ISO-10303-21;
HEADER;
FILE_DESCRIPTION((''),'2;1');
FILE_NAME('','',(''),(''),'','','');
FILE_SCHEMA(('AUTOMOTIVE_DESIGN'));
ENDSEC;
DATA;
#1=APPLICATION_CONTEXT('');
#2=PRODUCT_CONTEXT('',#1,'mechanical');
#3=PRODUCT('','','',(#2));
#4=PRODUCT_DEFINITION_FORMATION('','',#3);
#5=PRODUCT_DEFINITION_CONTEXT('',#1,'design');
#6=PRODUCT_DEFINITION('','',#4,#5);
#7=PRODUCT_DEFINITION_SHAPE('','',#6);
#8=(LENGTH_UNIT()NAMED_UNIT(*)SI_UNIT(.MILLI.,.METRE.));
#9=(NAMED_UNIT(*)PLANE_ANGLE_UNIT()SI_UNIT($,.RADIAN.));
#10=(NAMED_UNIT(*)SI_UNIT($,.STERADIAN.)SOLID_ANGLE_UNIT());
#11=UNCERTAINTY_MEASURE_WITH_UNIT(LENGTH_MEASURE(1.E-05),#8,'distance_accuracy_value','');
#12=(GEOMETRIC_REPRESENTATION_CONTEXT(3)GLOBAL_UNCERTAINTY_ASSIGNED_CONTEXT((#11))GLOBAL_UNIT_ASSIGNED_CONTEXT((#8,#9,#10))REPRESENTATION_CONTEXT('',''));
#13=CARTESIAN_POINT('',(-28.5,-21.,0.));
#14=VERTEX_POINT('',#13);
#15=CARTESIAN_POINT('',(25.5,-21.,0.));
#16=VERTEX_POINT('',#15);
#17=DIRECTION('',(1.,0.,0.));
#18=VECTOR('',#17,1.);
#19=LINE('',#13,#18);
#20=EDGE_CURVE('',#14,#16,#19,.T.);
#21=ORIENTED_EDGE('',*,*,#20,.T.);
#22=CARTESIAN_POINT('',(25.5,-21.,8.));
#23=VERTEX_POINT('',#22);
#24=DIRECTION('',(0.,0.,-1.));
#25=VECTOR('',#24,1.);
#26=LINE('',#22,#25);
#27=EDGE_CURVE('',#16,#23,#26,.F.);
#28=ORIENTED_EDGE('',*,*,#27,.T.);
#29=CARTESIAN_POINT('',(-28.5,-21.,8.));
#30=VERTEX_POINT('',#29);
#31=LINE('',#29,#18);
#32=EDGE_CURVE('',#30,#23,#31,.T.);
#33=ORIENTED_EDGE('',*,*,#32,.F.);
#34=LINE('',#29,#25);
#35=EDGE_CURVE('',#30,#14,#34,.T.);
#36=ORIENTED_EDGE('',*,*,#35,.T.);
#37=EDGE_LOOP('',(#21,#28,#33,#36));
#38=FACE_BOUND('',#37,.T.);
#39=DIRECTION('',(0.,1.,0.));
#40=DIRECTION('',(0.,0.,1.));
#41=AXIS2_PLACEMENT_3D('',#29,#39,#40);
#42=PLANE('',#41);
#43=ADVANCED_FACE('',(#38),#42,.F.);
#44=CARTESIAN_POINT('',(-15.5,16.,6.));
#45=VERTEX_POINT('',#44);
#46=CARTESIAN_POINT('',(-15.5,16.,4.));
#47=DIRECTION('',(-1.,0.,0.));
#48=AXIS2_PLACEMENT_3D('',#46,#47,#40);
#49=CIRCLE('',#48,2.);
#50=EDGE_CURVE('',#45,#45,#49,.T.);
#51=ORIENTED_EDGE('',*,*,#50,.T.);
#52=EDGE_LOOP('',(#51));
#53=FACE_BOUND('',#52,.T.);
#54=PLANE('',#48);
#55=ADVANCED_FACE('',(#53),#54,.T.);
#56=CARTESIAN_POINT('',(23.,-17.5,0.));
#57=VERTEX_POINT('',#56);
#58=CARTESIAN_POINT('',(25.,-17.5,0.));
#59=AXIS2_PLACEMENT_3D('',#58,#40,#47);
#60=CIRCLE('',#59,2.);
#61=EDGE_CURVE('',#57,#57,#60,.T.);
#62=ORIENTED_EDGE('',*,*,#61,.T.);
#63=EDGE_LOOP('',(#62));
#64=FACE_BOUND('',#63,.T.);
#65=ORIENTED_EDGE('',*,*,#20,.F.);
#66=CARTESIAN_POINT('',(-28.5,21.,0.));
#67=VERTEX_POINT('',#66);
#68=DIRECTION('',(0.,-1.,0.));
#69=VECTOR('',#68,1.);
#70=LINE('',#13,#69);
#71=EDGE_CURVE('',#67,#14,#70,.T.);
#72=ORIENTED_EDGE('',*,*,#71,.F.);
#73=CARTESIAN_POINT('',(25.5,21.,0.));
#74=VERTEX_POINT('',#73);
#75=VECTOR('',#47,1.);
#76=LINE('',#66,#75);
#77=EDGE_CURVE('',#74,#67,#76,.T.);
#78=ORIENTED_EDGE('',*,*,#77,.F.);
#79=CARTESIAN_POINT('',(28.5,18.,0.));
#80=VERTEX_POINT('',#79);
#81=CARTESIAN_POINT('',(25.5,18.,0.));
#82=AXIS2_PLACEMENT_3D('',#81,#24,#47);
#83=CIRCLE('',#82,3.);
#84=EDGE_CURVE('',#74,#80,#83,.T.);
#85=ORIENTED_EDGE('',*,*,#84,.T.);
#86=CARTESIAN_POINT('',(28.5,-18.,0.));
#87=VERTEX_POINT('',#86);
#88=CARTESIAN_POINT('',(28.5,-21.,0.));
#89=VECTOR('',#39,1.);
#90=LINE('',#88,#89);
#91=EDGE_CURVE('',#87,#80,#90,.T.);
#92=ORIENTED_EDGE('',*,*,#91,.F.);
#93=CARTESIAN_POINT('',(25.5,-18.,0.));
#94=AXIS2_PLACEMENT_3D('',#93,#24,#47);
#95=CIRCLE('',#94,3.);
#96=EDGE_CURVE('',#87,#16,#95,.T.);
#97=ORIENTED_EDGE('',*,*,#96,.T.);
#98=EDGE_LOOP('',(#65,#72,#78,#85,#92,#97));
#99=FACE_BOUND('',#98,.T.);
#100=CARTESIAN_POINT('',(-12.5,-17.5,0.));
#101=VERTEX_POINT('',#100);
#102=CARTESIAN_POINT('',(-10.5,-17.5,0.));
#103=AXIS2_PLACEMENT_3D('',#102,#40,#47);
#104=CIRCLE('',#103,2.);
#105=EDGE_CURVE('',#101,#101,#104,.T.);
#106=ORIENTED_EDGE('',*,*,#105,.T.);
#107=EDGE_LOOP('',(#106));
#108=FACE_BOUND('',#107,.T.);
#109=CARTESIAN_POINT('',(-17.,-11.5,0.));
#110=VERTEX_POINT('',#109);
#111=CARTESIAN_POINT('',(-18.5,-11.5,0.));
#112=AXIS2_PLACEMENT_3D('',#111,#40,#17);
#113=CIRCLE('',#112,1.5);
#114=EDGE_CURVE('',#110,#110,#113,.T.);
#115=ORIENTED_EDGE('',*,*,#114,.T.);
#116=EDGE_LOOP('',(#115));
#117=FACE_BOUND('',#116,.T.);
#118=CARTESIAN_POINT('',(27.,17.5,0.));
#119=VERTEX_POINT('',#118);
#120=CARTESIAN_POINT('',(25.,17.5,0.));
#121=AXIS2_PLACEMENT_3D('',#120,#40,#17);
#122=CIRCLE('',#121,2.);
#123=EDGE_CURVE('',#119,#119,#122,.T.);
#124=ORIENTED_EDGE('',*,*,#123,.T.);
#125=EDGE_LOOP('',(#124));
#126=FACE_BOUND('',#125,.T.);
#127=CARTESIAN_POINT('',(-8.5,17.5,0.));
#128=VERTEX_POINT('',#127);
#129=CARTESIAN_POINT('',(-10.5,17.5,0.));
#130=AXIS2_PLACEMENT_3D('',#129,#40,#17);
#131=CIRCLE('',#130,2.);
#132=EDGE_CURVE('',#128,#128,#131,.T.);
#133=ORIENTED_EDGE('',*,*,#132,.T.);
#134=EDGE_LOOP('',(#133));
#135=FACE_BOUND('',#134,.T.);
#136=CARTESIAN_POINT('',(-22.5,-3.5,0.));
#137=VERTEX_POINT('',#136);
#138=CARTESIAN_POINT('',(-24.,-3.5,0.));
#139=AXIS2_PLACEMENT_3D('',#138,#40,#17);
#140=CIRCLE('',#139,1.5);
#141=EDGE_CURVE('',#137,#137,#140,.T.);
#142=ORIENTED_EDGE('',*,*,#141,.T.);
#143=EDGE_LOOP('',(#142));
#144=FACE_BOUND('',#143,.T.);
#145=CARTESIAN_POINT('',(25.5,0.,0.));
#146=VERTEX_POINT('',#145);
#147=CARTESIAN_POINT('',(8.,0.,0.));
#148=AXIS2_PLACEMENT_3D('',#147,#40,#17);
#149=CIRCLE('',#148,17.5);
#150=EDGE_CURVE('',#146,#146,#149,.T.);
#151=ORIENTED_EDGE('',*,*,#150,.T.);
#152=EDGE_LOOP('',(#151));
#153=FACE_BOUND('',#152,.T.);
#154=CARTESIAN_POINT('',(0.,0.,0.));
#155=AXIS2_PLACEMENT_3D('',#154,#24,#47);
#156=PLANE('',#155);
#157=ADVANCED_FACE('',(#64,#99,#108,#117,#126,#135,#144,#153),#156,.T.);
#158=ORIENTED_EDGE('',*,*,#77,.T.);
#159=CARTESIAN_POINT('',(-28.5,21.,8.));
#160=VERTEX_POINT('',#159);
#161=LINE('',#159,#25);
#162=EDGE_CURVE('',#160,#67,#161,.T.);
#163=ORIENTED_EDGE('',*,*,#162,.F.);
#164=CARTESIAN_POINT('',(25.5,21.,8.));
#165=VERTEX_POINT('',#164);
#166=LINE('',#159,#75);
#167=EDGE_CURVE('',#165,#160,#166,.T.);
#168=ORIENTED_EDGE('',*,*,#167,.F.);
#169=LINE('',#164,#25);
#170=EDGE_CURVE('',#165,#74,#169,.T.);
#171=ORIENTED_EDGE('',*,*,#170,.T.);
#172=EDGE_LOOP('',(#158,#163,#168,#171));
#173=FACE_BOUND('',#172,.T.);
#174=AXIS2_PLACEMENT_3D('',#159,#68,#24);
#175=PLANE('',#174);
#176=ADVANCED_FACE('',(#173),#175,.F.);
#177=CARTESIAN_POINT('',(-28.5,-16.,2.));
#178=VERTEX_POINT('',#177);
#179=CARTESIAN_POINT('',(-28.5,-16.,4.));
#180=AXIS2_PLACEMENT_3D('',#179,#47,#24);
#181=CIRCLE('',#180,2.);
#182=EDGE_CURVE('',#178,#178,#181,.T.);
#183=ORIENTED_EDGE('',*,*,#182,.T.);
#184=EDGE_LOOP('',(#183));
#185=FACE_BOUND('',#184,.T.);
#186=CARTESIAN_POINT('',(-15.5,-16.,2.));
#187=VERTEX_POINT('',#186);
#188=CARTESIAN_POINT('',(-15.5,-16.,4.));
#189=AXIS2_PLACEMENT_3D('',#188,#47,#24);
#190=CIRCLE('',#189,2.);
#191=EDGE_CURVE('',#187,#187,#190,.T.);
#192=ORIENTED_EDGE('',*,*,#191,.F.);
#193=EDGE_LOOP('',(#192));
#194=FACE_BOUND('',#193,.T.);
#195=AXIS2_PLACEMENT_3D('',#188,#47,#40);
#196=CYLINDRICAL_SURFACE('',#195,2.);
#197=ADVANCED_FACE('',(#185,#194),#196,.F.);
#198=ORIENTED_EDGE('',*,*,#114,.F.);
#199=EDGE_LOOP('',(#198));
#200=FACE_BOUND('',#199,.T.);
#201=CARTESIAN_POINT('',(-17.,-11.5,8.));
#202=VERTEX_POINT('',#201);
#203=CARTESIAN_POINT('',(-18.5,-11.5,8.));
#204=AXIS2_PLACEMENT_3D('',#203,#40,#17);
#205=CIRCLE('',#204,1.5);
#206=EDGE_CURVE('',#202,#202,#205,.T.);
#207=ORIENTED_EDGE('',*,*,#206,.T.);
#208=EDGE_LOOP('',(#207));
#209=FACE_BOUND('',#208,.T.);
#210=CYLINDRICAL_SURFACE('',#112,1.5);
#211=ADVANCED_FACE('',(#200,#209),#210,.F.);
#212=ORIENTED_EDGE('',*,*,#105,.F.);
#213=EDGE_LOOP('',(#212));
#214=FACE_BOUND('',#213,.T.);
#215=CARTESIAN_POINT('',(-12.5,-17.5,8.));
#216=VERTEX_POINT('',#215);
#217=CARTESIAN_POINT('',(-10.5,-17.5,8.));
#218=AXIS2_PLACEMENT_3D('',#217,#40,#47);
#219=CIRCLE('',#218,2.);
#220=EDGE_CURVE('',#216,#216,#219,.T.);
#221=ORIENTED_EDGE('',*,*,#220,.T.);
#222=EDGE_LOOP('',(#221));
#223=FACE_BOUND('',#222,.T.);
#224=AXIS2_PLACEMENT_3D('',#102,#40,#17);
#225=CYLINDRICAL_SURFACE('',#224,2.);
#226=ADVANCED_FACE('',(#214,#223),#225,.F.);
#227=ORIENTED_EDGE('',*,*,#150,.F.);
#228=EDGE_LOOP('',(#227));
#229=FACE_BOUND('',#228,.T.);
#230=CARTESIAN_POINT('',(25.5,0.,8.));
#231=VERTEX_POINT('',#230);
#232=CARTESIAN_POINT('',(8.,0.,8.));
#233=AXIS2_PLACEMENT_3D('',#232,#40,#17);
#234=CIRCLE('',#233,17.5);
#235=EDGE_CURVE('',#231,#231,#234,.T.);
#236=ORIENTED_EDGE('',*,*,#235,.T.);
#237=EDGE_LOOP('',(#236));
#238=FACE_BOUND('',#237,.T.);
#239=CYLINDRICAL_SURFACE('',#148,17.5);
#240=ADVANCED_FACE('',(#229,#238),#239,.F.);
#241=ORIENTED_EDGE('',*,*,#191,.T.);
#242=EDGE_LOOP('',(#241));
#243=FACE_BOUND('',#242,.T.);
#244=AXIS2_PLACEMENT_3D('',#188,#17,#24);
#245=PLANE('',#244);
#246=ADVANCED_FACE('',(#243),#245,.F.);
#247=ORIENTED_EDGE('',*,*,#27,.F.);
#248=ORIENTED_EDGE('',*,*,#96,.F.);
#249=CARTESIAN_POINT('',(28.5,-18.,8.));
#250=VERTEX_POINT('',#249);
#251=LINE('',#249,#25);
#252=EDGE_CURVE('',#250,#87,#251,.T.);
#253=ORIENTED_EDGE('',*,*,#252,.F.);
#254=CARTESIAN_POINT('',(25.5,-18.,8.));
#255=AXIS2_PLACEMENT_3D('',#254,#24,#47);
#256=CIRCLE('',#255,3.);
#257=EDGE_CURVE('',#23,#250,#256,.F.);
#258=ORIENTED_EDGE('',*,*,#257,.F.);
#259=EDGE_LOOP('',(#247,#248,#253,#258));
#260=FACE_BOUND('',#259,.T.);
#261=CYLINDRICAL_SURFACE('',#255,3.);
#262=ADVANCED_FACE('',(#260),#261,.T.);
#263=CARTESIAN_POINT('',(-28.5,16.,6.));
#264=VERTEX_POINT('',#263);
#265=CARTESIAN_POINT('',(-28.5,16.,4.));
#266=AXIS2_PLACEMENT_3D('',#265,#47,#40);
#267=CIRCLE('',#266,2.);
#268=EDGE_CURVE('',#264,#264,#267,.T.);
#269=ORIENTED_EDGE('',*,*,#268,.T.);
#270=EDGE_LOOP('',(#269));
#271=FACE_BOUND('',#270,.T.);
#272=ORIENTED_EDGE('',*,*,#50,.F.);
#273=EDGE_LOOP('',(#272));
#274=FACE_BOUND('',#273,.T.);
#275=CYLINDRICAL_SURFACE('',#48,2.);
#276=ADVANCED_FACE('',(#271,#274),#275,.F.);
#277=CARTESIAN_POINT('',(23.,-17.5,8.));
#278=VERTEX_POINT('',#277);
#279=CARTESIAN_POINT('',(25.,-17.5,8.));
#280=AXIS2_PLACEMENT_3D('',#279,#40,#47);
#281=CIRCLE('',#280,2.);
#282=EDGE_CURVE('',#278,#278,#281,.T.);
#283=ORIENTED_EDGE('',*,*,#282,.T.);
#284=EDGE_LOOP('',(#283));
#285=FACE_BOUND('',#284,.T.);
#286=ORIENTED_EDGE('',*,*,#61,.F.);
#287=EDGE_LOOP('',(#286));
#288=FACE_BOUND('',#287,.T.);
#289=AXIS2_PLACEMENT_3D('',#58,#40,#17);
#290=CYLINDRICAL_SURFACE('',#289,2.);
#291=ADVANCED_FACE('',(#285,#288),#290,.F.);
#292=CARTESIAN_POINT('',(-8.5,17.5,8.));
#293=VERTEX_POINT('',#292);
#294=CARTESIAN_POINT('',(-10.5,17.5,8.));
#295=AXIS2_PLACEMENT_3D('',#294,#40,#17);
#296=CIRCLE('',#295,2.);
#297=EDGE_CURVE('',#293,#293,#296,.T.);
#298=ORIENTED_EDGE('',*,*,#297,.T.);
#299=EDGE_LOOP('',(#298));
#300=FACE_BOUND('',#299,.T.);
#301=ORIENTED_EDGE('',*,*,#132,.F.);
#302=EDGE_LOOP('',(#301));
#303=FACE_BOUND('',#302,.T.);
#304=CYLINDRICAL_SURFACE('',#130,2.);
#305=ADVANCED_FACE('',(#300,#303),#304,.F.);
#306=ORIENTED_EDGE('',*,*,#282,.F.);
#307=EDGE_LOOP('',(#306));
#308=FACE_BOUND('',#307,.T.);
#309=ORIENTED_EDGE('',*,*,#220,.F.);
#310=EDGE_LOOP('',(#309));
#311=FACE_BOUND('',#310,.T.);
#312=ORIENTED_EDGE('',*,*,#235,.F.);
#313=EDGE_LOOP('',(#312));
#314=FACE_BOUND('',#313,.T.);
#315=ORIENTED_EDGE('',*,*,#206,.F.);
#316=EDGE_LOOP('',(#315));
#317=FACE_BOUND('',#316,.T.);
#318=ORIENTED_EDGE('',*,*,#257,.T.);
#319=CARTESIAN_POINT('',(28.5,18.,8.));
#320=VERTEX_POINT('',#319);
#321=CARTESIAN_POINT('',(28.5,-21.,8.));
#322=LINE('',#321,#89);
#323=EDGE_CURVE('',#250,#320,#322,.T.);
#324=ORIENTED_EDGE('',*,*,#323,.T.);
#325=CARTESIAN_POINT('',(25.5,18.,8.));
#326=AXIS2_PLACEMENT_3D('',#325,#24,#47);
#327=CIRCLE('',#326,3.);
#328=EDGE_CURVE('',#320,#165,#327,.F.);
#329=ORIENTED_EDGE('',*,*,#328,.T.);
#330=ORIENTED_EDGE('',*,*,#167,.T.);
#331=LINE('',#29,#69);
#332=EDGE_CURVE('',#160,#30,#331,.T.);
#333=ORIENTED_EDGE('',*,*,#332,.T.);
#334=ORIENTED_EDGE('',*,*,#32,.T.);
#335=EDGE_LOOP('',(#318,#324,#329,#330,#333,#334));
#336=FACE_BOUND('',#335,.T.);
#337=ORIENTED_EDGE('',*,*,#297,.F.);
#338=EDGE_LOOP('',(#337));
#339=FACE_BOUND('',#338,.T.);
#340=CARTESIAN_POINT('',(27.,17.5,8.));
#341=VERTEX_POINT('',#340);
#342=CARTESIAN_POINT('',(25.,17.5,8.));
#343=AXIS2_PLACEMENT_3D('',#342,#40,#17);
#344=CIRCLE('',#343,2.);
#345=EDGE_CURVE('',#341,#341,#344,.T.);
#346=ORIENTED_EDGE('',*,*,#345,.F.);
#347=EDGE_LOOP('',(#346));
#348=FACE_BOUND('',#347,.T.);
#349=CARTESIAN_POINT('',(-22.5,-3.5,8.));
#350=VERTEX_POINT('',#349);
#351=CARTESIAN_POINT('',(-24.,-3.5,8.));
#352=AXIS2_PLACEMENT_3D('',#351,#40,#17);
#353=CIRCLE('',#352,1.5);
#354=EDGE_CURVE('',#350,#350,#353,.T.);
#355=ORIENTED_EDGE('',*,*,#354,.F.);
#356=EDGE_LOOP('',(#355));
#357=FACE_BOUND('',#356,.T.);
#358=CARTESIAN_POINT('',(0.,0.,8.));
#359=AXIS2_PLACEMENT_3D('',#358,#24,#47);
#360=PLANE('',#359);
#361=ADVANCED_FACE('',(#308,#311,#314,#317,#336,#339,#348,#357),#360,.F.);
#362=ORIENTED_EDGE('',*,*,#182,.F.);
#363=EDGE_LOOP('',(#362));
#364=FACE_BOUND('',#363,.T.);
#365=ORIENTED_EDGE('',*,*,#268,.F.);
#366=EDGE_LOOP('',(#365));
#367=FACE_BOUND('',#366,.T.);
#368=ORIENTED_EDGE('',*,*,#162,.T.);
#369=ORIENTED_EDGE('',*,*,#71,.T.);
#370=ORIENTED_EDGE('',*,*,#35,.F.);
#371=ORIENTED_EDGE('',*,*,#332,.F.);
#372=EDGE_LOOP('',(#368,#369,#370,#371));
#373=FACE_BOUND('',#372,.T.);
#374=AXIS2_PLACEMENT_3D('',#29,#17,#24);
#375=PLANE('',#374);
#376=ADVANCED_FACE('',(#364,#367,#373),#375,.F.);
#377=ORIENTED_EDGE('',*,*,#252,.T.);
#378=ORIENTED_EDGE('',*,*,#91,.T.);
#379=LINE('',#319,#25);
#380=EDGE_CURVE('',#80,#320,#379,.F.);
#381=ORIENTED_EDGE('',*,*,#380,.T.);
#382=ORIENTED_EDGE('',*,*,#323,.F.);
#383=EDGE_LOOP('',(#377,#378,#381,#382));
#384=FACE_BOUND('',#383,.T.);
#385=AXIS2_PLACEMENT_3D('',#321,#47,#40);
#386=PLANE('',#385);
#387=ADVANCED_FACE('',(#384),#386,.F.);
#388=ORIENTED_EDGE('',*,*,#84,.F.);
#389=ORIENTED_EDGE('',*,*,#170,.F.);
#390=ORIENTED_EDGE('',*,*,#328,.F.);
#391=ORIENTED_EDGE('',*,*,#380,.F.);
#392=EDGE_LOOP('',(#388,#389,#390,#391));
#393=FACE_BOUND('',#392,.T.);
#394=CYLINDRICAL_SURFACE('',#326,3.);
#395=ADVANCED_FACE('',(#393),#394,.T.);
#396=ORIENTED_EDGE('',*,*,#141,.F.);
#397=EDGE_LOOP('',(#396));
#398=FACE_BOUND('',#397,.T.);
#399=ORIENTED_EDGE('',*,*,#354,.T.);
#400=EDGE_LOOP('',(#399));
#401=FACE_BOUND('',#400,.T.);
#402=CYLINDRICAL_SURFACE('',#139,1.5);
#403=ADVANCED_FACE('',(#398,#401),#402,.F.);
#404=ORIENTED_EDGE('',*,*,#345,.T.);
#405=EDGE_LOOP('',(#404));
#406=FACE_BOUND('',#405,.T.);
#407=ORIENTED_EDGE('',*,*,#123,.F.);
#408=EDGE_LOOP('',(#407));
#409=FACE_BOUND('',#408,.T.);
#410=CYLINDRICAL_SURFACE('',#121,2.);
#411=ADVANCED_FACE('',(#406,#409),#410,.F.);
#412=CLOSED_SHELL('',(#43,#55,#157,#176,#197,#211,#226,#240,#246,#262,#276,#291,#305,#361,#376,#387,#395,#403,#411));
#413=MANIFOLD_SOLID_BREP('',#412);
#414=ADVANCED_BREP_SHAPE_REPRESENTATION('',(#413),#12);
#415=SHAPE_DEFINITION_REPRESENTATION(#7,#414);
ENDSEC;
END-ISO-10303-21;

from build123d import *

# Parameters (mm, degrees)
SKETCH1_W           = 57
SKETCH1_H           = 42
BOSS_EXTRUDE1_DEPTH = 8
SKETCH2_R           = 17.5
SKETCH2_R_2         = 2
SKETCH2_R_3         = 1.5
CUT_EXTRUDE1_DEPTH  = 9
FILLET1_R           = 3
FILLET2_R           = 3
SKETCH3_R           = 2
CUT_EXTRUDE2_DEPTH  = 13


with BuildPart() as part:
    # Sketch1 → Boss-Extrude1 (new body)
    with BuildSketch(Plane.XY):
        Rectangle(SKETCH1_W, SKETCH1_H)
    extrude(amount=BOSS_EXTRUDE1_DEPTH)

    # Sketch2 → Cut-Extrude1 (cut, through all)
    with BuildSketch(Plane.XY.offset(8)):
        with Locations((8, 0)):
            Circle(SKETCH2_R)
        with Locations((25, 17.5)):
            Circle(SKETCH2_R_2)
        with Locations((-10.5, 17.5)):
            Circle(SKETCH2_R_2)
        with Locations((25, -17.5)):
            Circle(SKETCH2_R_2)
        with Locations((-10.5, -17.5)):
            Circle(SKETCH2_R_2)
        with Locations((-18.5, -11.5)):
            Circle(SKETCH2_R_3)
        with Locations((-24, -3.5)):
            Circle(SKETCH2_R_3)
    extrude(amount=-CUT_EXTRUDE1_DEPTH, mode=Mode.SUBTRACT)

    # Fillet1
    fillet1_edges = [part.edges().sort_by_distance(p)[0] for p in [
        (28.5, -21, 4),
    ]]
    fillet(fillet1_edges, radius=FILLET1_R)

    # Fillet2
    fillet2_edges = [part.edges().sort_by_distance(p)[0] for p in [
        (28.5, 21, 4),
    ]]
    fillet(fillet2_edges, radius=FILLET2_R)

    # Sketch3 → Cut-Extrude2 (cut)
    with BuildSketch(Plane.ZY.offset(28.5)):
        with Locations((4, 16)):
            Circle(SKETCH3_R)
        with Locations((4, -16)):
            Circle(SKETCH3_R)
    extrude(amount=-CUT_EXTRUDE2_DEPTH, mode=Mode.SUBTRACT)


solid = part.part
